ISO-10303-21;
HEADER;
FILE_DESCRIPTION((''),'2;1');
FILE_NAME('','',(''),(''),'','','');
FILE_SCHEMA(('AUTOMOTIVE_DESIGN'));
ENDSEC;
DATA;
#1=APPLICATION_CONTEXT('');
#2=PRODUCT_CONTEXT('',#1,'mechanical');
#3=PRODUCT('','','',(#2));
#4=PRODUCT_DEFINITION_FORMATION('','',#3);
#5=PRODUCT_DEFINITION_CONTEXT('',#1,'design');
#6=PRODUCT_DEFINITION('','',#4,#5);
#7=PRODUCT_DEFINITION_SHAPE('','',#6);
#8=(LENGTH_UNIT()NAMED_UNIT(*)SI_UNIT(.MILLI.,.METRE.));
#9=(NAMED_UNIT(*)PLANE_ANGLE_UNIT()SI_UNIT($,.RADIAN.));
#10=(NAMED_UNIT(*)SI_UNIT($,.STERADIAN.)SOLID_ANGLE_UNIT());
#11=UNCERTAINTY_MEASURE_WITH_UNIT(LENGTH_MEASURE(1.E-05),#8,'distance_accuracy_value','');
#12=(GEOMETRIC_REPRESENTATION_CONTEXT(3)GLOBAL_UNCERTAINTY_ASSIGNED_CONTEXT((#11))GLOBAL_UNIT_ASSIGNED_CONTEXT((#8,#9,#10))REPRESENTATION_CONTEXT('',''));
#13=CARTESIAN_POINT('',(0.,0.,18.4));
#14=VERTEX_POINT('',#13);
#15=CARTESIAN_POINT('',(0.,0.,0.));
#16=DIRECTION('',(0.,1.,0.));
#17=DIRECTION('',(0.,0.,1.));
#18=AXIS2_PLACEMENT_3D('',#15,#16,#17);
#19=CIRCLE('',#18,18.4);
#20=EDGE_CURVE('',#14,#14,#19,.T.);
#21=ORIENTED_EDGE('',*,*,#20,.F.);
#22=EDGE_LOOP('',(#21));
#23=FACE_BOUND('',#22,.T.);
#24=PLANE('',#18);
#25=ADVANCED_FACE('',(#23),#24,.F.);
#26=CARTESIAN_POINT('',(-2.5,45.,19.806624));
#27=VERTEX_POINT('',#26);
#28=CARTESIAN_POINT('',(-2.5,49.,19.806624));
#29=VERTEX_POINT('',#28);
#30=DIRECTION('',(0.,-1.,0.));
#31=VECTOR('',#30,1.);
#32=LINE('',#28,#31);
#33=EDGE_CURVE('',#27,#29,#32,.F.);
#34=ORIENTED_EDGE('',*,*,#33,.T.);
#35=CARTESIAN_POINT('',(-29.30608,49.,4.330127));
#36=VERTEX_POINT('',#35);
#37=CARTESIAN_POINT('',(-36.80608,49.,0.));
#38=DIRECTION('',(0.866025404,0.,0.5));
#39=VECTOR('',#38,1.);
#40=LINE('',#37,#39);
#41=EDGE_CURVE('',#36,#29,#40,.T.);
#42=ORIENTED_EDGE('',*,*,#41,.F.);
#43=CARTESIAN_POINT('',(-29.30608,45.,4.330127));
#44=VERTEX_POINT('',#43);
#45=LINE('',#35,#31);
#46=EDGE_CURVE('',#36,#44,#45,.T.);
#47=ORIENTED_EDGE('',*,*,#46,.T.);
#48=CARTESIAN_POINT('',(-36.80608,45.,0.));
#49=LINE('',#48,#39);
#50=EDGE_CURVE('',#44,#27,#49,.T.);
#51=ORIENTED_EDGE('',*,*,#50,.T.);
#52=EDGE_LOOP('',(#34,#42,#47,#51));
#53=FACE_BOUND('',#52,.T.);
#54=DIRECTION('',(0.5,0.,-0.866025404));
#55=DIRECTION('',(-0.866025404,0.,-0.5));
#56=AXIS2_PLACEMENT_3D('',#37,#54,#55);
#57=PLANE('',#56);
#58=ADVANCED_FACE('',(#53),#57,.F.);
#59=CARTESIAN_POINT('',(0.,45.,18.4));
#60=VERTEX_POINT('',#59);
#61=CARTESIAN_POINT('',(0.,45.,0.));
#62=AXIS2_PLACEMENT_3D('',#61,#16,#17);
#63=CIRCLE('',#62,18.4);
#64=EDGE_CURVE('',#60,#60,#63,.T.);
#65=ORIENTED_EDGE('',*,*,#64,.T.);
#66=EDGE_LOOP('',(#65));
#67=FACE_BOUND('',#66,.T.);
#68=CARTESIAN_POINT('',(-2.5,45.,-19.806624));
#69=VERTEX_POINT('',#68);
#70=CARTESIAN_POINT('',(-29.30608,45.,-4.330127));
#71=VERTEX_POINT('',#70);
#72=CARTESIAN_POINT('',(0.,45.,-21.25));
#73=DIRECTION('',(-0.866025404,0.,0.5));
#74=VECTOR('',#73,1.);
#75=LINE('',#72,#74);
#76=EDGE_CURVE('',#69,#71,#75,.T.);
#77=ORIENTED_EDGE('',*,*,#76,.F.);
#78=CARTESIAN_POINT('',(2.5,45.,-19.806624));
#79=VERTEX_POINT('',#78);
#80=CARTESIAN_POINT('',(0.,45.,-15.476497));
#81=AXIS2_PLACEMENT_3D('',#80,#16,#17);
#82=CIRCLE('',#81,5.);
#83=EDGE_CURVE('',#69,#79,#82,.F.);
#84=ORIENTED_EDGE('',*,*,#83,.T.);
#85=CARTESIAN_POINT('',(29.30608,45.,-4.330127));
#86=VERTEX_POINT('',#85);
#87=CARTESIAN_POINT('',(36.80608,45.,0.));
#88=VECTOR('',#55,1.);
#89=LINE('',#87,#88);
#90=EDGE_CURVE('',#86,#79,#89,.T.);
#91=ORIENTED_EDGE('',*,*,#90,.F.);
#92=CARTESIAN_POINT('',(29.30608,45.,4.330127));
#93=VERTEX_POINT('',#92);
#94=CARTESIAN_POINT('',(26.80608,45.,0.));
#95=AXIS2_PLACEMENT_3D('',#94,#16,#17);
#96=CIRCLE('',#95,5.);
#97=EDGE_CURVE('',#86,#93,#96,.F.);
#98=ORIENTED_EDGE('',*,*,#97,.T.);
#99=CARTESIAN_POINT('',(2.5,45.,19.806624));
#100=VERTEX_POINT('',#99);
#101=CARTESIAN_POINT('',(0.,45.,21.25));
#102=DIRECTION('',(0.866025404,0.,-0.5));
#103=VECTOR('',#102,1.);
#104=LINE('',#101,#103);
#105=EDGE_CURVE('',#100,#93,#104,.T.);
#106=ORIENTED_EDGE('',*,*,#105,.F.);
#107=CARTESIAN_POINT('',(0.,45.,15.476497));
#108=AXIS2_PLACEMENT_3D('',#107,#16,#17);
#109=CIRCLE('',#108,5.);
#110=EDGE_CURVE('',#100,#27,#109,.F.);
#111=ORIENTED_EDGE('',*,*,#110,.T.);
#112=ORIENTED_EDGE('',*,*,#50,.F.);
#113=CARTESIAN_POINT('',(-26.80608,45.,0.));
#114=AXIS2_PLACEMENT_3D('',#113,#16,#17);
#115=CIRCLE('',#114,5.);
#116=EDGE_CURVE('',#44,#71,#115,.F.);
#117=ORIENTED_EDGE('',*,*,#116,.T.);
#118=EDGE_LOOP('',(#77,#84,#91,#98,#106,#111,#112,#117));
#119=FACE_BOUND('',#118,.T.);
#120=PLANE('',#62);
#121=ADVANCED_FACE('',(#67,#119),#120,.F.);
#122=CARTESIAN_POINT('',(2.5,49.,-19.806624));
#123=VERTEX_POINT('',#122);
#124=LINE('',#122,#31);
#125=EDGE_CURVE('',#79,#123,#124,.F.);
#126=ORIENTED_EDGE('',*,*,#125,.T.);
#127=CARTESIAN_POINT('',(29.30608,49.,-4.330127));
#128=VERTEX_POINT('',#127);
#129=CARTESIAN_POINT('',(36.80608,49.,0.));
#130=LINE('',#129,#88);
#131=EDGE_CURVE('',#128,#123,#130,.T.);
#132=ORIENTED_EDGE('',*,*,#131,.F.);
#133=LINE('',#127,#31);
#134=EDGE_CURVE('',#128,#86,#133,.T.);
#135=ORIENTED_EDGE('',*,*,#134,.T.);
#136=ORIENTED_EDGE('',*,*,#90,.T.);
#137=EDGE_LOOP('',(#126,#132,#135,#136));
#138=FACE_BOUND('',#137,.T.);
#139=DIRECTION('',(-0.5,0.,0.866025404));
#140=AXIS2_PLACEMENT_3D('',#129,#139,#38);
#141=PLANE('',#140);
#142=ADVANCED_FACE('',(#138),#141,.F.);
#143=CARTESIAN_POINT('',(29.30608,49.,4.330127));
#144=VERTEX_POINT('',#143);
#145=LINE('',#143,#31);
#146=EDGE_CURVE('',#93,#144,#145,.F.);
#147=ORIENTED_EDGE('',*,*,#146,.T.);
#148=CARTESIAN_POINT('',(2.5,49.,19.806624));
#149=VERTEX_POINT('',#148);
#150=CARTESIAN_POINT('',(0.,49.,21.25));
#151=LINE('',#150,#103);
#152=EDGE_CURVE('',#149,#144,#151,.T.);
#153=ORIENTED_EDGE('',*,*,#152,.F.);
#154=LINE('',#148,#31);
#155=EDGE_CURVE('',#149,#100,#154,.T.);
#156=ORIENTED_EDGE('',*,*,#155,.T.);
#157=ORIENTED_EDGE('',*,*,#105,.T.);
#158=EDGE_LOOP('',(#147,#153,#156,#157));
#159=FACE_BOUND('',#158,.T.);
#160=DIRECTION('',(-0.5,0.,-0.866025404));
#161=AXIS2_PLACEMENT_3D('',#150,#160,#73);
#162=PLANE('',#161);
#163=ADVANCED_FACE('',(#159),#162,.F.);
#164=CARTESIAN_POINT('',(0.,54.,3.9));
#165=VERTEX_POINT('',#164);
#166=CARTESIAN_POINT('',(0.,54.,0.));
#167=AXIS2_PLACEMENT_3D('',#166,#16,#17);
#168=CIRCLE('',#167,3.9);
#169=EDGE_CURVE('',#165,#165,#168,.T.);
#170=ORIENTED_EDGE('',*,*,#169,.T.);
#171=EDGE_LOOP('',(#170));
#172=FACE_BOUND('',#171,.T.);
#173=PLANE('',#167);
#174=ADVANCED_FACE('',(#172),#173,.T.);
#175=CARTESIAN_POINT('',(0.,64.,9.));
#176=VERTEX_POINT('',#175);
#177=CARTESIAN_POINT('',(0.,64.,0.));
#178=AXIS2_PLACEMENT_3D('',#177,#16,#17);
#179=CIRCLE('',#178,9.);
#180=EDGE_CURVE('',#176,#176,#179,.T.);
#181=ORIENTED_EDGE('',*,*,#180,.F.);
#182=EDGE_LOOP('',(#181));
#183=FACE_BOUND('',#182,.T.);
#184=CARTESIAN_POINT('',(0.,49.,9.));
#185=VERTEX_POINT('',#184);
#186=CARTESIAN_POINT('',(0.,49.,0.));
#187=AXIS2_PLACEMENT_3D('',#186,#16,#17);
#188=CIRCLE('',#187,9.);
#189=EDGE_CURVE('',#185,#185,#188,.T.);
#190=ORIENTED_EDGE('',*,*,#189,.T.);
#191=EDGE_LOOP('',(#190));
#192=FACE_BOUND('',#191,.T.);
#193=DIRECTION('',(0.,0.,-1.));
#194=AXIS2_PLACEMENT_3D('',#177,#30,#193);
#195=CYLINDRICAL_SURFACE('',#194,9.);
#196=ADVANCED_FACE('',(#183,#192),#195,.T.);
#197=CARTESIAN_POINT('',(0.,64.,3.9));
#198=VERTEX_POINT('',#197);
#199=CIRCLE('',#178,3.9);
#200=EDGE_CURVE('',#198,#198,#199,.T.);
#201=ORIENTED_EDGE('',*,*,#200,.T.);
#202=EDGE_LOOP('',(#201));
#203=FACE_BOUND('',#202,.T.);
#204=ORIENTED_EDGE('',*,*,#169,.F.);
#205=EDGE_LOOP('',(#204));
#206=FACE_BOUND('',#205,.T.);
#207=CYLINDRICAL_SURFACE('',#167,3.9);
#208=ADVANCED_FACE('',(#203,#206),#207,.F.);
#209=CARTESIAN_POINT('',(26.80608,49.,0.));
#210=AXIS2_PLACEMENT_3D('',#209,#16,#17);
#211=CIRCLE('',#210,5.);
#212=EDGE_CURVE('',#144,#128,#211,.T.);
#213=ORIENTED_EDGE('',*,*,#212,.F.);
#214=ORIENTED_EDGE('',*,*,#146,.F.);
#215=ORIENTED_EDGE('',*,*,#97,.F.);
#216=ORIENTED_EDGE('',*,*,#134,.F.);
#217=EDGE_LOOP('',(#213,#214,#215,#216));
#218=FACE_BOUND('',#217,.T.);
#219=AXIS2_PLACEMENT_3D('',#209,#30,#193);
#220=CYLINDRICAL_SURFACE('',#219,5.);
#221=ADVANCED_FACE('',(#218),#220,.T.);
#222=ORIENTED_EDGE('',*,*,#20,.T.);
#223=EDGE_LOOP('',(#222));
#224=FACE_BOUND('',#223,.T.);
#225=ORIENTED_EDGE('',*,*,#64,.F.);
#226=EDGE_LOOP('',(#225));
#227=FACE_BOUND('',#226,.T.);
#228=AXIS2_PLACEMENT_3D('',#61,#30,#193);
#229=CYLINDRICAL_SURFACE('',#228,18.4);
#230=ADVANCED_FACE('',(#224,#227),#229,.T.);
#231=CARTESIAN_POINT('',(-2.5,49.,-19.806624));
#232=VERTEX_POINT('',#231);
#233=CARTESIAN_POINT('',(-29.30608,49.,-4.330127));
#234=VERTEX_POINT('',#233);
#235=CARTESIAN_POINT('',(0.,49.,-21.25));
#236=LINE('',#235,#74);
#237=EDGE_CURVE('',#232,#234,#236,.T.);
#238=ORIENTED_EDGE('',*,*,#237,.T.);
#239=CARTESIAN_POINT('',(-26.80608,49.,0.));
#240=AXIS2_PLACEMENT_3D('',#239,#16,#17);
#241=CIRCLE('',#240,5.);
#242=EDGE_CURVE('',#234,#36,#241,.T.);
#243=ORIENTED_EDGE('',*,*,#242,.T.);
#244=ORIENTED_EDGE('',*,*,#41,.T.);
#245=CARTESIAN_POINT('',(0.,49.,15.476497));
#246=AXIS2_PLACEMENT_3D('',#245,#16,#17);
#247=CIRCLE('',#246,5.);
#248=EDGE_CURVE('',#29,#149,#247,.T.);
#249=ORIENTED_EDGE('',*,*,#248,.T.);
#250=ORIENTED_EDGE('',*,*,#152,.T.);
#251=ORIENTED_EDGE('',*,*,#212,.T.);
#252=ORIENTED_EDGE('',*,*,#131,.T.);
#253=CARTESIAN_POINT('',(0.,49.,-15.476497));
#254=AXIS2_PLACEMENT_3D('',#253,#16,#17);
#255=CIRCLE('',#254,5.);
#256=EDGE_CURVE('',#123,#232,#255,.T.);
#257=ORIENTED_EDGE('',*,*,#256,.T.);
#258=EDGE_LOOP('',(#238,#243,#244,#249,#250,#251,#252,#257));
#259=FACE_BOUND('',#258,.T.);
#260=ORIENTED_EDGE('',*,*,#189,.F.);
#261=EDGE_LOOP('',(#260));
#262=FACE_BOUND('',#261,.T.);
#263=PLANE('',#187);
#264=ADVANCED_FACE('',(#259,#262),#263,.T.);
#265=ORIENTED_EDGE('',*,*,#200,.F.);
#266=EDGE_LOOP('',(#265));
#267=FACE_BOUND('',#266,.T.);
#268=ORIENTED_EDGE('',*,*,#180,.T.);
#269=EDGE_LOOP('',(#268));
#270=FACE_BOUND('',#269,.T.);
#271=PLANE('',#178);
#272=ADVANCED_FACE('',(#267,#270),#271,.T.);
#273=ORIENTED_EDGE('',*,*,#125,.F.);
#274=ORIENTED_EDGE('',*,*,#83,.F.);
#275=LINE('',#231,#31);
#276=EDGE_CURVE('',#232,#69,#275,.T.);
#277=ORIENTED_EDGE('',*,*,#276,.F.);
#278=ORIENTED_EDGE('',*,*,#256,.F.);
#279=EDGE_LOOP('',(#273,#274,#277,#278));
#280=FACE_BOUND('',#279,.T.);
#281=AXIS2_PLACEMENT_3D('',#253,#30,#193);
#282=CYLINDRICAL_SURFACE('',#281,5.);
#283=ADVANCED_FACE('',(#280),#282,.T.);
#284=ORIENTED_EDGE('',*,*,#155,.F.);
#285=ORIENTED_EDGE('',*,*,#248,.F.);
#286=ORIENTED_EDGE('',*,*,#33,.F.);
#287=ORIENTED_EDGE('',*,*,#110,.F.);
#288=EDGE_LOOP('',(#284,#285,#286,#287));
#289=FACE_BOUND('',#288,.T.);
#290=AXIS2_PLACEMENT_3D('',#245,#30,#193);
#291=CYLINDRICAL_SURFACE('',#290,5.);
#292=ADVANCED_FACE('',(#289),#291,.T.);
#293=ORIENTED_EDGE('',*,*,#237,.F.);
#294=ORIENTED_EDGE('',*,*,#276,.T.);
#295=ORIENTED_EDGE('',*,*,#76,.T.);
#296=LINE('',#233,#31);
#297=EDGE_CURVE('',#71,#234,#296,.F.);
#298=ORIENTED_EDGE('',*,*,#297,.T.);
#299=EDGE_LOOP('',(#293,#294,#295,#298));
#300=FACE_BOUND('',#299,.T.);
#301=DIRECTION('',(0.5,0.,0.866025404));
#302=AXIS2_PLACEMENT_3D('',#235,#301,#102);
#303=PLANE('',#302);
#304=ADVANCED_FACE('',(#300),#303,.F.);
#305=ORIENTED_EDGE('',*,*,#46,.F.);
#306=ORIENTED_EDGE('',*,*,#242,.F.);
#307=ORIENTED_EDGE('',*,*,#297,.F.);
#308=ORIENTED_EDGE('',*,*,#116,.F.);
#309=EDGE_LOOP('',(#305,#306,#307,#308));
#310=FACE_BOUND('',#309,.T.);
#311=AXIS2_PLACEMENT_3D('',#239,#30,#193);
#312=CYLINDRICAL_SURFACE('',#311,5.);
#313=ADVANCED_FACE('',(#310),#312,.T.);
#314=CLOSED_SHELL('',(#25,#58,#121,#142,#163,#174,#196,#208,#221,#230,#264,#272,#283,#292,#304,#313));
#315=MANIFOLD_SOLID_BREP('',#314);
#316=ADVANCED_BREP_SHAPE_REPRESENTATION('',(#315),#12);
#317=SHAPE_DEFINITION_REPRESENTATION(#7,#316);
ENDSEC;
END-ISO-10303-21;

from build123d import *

# Parameters (mm, degrees)
SKETCH1_R           = 18.4
BOSS_EXTRUDE1_DEPTH = 45
BOSS_EXTRUDE2_DEPTH = 4
FILLET1_R           = 5
SKETCH3_R           = 9
BOSS_EXTRUDE3_DEPTH = 15
SKETCH4_R           = 3.9
CUT_EXTRUDE1_DEPTH  = 10


with BuildPart() as part:
    # Sketch1 → Boss-Extrude1 (new body)
    with BuildSketch(Plane(origin=(0, 0, 0), x_dir=(1, 0, 0), z_dir=(0, 1, 0))):
        Circle(SKETCH1_R)
    extrude(amount=BOSS_EXTRUDE1_DEPTH)

    # Sketch2 → Boss-Extrude2 (add)
    with BuildSketch(Plane(origin=(0, 45, 0), x_dir=(1, 0, 0), z_dir=(0, 1, 0))):
        Polygon((0, 21.25), (-36.806079661, 0), (0, -21.25), (36.806079661, 0), align=None)
    extrude(amount=BOSS_EXTRUDE2_DEPTH)

    # Fillet1
    fillet1_edges = [part.edges().sort_by_distance(p)[0] for p in [
        (36.806079661, 47, 0),
        (0, 47, -21.25),
        (-36.806079661, 47, 0),
        (0, 47, 21.25),
    ]]
    fillet(fillet1_edges, radius=FILLET1_R)

    # Sketch3 → Boss-Extrude3 (add)
    with BuildSketch(Plane(origin=(0, 49, 0), x_dir=(1, 0, 0), z_dir=(0, 1, 0))):
        Circle(SKETCH3_R)
    extrude(amount=BOSS_EXTRUDE3_DEPTH)

    # Sketch4 → Cut-Extrude1 (cut)
    with BuildSketch(Plane(origin=(0, 64, 0), x_dir=(1, 0, 0), z_dir=(0, 1, 0))):
        Circle(SKETCH4_R)
    extrude(amount=-CUT_EXTRUDE1_DEPTH, mode=Mode.SUBTRACT)


solid = part.part
